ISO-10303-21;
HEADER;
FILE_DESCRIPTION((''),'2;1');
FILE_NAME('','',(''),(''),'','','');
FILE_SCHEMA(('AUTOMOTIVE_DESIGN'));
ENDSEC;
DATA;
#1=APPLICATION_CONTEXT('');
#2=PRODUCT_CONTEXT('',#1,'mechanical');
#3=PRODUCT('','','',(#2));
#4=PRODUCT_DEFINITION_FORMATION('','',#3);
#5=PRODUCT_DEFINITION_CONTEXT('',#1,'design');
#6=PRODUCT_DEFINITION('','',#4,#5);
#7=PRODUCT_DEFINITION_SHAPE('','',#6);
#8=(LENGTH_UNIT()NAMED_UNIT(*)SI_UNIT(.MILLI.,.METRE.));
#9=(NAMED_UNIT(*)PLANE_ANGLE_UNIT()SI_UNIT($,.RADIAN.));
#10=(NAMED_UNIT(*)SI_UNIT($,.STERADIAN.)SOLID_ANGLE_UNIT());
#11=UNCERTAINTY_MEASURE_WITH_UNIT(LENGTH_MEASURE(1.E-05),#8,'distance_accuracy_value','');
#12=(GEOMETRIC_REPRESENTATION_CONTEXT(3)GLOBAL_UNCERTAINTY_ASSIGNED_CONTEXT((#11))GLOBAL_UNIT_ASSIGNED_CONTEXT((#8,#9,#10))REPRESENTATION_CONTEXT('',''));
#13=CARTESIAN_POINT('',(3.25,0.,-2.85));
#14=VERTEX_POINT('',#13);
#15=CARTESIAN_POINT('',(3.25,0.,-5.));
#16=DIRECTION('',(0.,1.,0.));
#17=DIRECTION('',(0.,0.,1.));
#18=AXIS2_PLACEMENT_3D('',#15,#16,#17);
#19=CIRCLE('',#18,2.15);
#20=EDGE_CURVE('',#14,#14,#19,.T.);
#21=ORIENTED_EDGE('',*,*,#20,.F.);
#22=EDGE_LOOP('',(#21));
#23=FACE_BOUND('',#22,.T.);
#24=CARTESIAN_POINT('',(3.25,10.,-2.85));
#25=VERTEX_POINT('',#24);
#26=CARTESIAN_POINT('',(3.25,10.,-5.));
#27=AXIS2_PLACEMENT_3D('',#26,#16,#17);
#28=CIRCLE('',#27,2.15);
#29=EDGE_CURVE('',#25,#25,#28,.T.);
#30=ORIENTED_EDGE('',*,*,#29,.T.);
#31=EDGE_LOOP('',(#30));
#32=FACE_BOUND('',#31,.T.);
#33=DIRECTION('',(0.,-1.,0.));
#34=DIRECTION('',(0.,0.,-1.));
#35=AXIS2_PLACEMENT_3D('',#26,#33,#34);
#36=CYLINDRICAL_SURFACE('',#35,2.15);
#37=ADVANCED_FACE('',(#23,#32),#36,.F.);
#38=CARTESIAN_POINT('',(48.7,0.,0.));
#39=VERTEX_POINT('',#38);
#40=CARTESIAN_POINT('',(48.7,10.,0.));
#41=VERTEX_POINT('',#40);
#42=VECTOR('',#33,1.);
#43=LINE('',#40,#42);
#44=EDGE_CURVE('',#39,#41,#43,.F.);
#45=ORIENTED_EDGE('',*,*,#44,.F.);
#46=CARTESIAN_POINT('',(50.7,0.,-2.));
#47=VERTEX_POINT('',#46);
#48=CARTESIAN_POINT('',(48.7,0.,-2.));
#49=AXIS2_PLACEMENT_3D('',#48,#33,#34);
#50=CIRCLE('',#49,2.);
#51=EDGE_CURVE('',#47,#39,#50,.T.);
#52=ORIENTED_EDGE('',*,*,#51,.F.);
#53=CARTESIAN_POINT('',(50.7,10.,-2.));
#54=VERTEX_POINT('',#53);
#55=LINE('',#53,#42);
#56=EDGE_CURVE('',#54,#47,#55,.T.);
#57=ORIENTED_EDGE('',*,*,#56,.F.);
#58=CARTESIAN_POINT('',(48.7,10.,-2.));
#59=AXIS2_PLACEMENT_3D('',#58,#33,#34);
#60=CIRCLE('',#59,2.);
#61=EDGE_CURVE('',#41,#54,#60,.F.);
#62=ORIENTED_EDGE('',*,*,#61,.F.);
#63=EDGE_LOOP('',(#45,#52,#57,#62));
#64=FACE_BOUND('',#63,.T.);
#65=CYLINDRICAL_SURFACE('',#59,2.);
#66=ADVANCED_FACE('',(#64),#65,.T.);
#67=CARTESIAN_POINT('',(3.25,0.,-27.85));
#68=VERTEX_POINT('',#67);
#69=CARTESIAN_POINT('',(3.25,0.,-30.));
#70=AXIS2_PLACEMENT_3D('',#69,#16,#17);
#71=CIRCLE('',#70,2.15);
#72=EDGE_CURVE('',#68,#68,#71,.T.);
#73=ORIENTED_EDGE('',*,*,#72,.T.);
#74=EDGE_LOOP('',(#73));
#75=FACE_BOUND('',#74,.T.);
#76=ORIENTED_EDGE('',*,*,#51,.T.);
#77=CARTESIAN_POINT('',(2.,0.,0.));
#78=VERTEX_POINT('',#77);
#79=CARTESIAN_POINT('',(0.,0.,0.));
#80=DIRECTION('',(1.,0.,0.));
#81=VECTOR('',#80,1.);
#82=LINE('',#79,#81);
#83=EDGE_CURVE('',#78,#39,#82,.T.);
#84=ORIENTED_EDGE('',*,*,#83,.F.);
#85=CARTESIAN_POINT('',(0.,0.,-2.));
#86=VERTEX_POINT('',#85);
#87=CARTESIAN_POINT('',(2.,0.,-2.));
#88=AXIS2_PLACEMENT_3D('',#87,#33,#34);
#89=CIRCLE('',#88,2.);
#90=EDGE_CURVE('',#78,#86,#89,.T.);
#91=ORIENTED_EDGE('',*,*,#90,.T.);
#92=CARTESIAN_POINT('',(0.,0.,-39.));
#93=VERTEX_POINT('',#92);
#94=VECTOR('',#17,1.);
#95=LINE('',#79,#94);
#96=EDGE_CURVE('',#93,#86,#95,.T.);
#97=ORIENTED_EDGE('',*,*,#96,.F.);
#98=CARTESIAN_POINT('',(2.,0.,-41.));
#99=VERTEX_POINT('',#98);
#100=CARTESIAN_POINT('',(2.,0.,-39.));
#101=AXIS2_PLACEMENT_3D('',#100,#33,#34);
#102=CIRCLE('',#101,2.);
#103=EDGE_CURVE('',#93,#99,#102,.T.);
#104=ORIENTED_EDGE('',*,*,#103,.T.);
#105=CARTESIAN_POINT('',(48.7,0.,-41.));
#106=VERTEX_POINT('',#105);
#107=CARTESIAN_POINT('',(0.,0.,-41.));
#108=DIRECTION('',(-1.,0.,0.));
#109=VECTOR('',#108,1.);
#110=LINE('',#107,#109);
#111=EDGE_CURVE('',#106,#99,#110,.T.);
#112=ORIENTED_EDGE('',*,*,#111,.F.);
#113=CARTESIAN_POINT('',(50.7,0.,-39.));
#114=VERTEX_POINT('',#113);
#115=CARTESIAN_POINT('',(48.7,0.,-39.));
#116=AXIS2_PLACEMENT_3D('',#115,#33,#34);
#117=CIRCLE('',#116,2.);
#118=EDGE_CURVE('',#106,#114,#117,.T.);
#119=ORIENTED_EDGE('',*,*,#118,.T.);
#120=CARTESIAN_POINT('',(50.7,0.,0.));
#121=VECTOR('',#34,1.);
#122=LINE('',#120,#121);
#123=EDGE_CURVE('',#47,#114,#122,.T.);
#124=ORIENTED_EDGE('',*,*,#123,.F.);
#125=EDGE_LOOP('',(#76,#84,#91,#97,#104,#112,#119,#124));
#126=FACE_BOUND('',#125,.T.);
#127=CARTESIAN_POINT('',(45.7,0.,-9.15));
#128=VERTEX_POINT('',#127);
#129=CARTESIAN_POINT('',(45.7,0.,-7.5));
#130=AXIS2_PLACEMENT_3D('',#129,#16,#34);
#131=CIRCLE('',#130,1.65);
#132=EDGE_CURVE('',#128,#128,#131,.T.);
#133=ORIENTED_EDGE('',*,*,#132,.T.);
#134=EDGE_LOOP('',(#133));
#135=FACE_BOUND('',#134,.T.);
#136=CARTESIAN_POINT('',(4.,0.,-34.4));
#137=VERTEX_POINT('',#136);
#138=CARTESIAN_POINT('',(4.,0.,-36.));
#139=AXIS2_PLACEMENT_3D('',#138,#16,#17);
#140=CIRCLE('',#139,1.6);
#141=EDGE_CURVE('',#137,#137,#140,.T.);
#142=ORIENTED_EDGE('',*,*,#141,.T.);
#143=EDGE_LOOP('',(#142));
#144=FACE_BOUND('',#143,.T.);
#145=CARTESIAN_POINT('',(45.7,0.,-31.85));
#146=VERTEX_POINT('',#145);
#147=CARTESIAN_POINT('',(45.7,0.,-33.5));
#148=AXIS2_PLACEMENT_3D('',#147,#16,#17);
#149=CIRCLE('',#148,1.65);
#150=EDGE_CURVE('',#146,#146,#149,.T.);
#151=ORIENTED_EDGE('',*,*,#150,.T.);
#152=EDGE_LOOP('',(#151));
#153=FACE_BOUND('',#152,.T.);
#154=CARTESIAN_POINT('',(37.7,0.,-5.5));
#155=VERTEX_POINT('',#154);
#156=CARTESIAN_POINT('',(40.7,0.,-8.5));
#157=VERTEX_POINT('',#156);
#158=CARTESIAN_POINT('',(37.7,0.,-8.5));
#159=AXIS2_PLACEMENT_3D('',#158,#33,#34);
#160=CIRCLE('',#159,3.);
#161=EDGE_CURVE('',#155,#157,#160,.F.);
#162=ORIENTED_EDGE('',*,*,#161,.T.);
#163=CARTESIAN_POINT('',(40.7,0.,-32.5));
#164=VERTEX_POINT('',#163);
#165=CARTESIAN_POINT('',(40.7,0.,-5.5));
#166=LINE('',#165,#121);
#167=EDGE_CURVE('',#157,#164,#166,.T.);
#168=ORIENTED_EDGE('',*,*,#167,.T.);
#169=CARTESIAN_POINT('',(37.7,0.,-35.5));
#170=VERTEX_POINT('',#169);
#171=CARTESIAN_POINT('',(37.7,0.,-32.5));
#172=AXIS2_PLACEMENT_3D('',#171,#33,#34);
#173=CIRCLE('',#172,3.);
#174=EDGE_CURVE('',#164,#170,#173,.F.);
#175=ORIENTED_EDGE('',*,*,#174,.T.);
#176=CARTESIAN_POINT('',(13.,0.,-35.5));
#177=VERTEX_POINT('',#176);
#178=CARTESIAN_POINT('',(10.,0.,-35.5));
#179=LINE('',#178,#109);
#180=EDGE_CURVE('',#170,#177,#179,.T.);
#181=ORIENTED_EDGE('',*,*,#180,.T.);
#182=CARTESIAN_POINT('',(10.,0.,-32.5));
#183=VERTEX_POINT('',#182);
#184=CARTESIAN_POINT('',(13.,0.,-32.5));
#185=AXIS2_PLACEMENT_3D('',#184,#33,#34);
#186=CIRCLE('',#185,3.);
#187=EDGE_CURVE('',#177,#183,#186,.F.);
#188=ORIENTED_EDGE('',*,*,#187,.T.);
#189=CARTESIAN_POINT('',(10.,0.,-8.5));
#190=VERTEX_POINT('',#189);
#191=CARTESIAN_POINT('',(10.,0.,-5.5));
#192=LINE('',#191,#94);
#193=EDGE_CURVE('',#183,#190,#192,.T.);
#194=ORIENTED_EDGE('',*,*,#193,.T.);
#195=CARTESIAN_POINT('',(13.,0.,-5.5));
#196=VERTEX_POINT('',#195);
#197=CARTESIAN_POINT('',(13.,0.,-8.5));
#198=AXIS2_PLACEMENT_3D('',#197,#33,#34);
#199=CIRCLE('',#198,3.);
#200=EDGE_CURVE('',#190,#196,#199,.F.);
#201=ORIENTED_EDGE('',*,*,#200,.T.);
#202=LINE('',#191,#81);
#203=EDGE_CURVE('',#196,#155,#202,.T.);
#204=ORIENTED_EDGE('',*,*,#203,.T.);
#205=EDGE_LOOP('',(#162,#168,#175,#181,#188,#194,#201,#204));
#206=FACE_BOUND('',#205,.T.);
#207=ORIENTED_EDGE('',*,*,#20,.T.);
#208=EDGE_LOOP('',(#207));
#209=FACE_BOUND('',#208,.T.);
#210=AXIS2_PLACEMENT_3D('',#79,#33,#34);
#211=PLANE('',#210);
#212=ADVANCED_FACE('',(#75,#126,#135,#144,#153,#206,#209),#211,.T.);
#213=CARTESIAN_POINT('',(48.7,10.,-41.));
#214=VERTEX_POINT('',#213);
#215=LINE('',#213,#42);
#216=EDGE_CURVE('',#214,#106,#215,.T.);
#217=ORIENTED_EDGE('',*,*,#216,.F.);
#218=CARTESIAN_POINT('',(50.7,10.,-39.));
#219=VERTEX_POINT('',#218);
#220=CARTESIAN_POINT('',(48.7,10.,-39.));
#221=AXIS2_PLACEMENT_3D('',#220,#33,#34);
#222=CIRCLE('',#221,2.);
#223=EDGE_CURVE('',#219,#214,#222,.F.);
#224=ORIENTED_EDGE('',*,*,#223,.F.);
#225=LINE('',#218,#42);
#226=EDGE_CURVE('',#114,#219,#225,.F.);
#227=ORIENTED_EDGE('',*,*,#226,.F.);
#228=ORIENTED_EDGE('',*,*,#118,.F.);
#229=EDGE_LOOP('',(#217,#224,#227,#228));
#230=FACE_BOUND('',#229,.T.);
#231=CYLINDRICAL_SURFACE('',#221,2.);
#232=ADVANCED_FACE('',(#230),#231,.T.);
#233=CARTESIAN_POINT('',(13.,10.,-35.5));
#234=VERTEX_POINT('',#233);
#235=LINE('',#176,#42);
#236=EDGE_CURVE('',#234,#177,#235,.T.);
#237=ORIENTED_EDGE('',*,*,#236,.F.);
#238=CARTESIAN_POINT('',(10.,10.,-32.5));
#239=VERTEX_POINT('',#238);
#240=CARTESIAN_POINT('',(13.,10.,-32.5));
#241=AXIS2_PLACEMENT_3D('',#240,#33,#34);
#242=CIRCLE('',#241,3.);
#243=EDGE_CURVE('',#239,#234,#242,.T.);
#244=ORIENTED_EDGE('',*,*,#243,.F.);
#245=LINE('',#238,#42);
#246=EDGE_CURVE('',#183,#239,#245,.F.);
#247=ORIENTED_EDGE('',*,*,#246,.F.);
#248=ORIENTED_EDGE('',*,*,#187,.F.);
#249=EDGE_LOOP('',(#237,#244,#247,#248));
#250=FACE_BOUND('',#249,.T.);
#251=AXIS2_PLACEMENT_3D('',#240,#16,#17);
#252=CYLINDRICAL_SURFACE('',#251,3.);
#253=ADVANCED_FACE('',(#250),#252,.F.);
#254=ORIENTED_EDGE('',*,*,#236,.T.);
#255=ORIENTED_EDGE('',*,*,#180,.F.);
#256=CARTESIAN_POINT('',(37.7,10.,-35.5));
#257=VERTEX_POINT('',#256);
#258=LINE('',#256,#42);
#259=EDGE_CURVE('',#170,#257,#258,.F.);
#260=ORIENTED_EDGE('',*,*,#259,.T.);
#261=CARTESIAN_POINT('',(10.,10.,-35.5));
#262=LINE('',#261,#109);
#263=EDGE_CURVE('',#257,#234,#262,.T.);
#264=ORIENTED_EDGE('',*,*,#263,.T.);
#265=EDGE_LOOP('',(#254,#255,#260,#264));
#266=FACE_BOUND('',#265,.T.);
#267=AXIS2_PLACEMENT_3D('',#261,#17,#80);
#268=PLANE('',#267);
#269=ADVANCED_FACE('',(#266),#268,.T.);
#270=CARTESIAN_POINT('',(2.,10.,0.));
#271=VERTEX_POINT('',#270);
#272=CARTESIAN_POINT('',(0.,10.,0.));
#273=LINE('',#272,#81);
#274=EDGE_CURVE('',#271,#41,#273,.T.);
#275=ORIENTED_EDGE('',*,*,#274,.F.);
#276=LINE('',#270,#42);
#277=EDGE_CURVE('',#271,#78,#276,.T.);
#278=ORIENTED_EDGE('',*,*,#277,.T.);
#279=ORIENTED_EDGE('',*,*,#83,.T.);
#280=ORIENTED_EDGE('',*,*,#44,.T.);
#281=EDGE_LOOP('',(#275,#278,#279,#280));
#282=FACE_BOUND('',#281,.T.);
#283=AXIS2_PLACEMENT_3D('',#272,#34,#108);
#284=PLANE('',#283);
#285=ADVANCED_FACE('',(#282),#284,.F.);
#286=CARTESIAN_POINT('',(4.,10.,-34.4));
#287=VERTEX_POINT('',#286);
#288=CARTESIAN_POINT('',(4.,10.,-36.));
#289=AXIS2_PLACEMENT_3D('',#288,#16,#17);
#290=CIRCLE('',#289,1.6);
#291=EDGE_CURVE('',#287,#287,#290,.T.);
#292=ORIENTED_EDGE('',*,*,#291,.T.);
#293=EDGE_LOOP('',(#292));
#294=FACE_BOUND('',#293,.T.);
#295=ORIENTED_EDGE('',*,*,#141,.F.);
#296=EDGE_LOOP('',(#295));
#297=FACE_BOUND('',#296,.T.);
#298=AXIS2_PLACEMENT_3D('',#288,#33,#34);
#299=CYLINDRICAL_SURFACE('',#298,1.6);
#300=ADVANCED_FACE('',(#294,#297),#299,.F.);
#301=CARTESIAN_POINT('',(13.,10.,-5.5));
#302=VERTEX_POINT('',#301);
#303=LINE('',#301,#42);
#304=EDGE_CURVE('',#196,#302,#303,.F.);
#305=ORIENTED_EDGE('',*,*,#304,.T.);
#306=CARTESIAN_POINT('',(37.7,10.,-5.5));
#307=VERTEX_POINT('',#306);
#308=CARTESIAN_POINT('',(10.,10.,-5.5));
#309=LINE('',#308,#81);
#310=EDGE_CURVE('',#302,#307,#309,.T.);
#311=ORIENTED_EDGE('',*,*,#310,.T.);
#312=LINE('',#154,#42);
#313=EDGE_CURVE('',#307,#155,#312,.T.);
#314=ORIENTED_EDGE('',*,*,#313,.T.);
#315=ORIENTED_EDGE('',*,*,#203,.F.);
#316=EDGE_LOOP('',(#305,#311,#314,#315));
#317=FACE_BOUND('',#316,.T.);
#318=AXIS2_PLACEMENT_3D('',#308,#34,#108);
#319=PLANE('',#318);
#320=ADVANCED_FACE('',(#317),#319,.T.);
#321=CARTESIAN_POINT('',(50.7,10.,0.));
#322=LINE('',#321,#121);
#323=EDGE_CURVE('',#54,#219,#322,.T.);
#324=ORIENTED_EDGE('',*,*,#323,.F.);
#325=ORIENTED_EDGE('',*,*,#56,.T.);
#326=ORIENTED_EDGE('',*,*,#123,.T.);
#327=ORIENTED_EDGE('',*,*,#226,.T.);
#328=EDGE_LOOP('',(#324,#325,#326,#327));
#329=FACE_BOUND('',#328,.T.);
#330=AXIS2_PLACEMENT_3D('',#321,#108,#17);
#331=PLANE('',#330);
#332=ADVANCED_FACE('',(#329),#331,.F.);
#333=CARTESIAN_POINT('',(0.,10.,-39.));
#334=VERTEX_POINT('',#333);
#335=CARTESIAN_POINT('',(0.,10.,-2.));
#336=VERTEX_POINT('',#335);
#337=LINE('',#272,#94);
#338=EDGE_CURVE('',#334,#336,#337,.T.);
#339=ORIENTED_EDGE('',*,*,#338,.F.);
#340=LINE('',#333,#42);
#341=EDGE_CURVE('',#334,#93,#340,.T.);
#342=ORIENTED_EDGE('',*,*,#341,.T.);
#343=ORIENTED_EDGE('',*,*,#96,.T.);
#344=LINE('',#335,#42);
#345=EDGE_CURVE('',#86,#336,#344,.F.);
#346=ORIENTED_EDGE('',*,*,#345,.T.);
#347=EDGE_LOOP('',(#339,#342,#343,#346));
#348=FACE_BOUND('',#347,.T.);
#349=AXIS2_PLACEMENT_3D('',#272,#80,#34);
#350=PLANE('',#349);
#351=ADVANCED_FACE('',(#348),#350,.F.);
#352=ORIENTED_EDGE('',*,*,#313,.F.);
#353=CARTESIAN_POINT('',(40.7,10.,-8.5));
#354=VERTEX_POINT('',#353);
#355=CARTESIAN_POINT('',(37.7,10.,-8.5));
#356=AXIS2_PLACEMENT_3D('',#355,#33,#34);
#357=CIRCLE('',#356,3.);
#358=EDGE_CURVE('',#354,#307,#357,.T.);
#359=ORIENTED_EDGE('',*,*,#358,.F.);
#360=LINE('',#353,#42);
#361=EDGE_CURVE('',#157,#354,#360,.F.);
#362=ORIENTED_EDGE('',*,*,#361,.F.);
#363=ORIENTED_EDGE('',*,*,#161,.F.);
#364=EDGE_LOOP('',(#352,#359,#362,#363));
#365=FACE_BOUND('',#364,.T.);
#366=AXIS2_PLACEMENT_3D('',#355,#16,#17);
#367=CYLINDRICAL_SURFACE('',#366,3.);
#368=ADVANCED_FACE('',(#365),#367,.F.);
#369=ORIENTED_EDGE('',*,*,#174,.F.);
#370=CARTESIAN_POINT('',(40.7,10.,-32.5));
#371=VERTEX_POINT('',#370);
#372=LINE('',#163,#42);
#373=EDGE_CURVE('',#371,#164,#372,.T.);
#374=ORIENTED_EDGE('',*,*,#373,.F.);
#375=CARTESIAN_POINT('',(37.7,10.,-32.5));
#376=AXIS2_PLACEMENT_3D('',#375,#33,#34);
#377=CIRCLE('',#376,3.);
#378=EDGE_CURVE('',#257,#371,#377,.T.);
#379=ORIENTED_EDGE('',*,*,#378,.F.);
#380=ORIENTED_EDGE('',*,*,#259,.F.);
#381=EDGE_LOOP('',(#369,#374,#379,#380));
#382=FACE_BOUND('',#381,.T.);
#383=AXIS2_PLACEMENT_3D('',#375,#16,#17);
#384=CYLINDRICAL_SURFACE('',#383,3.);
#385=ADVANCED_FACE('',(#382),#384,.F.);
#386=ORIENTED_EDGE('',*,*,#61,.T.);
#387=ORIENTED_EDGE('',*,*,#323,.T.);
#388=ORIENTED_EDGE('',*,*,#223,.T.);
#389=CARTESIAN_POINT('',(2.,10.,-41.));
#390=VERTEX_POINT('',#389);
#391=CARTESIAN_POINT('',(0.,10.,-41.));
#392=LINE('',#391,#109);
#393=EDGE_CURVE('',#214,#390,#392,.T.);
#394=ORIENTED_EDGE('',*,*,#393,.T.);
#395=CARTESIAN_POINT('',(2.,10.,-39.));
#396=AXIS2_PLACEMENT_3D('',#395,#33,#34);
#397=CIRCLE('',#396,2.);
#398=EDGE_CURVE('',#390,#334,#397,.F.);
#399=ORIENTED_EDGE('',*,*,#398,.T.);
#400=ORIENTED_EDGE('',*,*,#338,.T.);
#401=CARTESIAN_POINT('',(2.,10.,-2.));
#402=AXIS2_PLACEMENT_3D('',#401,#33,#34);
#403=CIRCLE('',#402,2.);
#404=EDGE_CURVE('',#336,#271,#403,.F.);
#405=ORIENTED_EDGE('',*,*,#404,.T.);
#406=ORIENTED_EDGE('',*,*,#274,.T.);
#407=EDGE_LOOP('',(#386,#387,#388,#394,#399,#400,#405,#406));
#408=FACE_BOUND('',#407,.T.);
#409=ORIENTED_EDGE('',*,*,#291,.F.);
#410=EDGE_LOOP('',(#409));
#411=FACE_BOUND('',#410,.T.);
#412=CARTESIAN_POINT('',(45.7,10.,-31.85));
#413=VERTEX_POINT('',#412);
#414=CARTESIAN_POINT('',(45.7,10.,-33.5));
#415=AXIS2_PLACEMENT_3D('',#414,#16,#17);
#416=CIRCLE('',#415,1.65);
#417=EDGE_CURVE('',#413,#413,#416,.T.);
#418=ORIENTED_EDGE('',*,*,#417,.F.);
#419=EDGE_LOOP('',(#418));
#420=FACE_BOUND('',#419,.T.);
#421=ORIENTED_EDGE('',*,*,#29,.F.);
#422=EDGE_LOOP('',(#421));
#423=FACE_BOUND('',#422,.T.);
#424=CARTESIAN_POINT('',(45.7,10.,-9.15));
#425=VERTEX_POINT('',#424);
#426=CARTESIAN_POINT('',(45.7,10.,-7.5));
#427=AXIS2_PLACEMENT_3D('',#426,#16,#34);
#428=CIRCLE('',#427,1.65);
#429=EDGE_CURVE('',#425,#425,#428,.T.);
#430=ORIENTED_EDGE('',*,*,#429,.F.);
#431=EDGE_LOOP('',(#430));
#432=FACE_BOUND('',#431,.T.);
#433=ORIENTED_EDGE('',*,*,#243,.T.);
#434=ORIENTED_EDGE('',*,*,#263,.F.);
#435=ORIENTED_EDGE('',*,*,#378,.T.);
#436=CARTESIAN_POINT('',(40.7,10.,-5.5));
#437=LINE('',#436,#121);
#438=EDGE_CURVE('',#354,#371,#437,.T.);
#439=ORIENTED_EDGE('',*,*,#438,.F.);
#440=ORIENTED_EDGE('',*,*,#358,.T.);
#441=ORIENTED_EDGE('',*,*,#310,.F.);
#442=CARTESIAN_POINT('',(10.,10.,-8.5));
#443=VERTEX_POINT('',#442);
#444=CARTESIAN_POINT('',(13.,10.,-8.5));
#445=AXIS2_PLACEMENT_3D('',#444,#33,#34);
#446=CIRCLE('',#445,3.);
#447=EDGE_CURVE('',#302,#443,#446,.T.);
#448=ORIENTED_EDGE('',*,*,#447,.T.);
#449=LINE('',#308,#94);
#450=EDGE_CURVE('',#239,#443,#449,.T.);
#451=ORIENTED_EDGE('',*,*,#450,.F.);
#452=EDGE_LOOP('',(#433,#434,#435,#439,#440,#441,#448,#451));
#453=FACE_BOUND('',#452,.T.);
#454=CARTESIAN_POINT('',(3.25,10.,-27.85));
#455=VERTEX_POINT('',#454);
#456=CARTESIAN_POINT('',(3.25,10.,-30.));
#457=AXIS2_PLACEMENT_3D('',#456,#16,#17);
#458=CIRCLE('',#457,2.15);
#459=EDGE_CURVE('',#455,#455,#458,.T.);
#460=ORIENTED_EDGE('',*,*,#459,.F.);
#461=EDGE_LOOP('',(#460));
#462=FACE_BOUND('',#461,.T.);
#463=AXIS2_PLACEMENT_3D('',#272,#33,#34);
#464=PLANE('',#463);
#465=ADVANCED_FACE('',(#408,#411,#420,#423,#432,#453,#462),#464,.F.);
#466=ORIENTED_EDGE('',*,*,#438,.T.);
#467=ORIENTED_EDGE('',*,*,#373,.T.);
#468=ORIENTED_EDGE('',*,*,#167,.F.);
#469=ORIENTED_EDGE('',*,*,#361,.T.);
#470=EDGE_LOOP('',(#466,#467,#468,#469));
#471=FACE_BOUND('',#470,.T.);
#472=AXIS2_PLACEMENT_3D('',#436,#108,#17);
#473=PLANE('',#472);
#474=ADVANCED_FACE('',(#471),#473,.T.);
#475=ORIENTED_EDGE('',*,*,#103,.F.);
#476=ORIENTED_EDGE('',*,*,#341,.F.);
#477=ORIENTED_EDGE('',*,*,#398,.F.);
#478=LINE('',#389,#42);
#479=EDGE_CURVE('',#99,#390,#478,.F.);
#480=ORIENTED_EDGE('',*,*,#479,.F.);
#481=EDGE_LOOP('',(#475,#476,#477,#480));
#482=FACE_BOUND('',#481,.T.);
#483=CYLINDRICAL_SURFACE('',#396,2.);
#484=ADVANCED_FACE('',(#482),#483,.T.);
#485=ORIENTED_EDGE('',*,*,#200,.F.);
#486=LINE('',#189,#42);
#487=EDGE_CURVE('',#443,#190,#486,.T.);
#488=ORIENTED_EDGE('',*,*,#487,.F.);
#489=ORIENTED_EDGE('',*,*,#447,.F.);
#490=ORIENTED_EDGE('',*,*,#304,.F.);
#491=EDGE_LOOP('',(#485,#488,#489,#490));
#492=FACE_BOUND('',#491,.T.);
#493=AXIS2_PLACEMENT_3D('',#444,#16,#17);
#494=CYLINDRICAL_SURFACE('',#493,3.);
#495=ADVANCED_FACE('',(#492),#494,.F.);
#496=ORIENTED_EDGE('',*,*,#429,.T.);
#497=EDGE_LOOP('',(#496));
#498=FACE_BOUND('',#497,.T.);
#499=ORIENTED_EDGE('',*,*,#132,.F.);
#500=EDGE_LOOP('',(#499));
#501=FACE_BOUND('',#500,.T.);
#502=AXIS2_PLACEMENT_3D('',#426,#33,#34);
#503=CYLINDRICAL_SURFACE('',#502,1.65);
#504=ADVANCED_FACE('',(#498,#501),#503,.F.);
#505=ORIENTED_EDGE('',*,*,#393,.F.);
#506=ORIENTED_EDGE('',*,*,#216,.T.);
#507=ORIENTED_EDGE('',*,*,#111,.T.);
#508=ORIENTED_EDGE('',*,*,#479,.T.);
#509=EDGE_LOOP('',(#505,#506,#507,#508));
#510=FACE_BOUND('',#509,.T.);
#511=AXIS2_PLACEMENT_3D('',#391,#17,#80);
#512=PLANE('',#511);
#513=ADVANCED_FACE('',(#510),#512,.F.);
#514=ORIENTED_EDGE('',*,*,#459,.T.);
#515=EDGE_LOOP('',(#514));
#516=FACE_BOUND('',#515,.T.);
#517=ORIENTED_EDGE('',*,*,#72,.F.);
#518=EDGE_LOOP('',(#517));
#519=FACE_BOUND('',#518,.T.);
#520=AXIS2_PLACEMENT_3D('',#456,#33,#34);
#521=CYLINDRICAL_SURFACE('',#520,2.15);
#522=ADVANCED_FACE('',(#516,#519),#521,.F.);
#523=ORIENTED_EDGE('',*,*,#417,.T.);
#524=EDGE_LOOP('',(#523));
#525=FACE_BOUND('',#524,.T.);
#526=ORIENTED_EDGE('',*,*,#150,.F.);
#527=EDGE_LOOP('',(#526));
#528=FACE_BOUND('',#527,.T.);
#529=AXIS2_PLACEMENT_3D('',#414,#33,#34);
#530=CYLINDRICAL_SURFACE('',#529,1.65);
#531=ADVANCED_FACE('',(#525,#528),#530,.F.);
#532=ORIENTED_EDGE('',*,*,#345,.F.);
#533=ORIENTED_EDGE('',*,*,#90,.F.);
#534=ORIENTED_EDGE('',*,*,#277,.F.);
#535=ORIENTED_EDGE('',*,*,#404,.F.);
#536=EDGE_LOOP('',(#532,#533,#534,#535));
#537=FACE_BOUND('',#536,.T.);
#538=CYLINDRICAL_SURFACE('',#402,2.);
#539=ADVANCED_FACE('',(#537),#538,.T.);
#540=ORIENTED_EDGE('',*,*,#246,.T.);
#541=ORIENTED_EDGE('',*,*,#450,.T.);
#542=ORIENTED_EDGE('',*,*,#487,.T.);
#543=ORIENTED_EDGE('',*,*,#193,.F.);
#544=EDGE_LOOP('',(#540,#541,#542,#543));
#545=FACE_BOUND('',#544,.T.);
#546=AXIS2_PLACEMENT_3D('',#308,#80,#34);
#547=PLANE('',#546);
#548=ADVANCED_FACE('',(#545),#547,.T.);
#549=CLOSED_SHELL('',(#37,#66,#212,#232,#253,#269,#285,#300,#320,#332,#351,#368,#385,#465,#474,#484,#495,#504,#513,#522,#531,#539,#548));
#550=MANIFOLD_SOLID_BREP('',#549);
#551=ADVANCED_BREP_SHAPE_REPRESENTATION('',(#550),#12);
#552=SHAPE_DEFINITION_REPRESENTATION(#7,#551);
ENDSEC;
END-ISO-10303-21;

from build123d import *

# Parameters (mm, degrees)
SKETCH_2_W      = 50.7
SKETCH_2_H      = 41
SKETCH_2_R      = 1.6
SKETCH_2_R_2    = 2.15
SKETCH_2_R_3    = 1.65
SKETCH_2_W_2    = 30.7
SKETCH_2_H_2    = 30
EXTRUDE_1_DEPTH = 10
FILLET_1_R      = 2
FILLET_2_R      = 3


with BuildPart() as part:
    # ｽｹｯﾁ2 → ﾎﾞｽ - 押し出し1 (new body)
    with BuildSketch(Plane(origin=(0, 0, 0), x_dir=(1, 0, 0), z_dir=(0, 1, 0))):
        with Locations((25.35, 20.5)):
            Rectangle(SKETCH_2_W, SKETCH_2_H)
        with Locations(Location((4, 36, 0), (0, 0, 270))):
            Circle(SKETCH_2_R, mode=Mode.SUBTRACT)
        with Locations(Location((3.25, 30, 0), (0, 0, 270))):
            Circle(SKETCH_2_R_2, mode=Mode.SUBTRACT)
        with Locations(Location((3.25, 5, 0), (0, 0, 270))):
            Circle(SKETCH_2_R_2, mode=Mode.SUBTRACT)
        with Locations(Location((45.7, 33.5, 0), (0, 0, 270))):
            Circle(SKETCH_2_R_3, mode=Mode.SUBTRACT)
        with Locations(Location((45.7, 7.5, 0), (0, 0, 90))):
            Circle(SKETCH_2_R_3, mode=Mode.SUBTRACT)
        with Locations((25.35, 20.5)):
            Rectangle(SKETCH_2_W_2, SKETCH_2_H_2, mode=Mode.SUBTRACT)
    extrude(amount=EXTRUDE_1_DEPTH)

    # ﾌｨﾚｯﾄ1
    fillet_1_edges = [part.edges().sort_by_distance(p)[0] for p in [
        (0, 5, -41),
        (50.7, 5, -41),
        (50.7, 5, 0),
        (0, 5, 0),
    ]]
    fillet(fillet_1_edges, radius=FILLET_1_R)

    # ﾌｨﾚｯﾄ2
    fillet_2_edges = [part.edges().sort_by_distance(p)[0] for p in [
        (40.7, 5, -5.5),
        (40.7, 5, -35.5),
        (10, 5, -35.5),
        (10, 5, -5.5),
    ]]
    fillet(fillet_2_edges, radius=FILLET_2_R)


solid = part.part
